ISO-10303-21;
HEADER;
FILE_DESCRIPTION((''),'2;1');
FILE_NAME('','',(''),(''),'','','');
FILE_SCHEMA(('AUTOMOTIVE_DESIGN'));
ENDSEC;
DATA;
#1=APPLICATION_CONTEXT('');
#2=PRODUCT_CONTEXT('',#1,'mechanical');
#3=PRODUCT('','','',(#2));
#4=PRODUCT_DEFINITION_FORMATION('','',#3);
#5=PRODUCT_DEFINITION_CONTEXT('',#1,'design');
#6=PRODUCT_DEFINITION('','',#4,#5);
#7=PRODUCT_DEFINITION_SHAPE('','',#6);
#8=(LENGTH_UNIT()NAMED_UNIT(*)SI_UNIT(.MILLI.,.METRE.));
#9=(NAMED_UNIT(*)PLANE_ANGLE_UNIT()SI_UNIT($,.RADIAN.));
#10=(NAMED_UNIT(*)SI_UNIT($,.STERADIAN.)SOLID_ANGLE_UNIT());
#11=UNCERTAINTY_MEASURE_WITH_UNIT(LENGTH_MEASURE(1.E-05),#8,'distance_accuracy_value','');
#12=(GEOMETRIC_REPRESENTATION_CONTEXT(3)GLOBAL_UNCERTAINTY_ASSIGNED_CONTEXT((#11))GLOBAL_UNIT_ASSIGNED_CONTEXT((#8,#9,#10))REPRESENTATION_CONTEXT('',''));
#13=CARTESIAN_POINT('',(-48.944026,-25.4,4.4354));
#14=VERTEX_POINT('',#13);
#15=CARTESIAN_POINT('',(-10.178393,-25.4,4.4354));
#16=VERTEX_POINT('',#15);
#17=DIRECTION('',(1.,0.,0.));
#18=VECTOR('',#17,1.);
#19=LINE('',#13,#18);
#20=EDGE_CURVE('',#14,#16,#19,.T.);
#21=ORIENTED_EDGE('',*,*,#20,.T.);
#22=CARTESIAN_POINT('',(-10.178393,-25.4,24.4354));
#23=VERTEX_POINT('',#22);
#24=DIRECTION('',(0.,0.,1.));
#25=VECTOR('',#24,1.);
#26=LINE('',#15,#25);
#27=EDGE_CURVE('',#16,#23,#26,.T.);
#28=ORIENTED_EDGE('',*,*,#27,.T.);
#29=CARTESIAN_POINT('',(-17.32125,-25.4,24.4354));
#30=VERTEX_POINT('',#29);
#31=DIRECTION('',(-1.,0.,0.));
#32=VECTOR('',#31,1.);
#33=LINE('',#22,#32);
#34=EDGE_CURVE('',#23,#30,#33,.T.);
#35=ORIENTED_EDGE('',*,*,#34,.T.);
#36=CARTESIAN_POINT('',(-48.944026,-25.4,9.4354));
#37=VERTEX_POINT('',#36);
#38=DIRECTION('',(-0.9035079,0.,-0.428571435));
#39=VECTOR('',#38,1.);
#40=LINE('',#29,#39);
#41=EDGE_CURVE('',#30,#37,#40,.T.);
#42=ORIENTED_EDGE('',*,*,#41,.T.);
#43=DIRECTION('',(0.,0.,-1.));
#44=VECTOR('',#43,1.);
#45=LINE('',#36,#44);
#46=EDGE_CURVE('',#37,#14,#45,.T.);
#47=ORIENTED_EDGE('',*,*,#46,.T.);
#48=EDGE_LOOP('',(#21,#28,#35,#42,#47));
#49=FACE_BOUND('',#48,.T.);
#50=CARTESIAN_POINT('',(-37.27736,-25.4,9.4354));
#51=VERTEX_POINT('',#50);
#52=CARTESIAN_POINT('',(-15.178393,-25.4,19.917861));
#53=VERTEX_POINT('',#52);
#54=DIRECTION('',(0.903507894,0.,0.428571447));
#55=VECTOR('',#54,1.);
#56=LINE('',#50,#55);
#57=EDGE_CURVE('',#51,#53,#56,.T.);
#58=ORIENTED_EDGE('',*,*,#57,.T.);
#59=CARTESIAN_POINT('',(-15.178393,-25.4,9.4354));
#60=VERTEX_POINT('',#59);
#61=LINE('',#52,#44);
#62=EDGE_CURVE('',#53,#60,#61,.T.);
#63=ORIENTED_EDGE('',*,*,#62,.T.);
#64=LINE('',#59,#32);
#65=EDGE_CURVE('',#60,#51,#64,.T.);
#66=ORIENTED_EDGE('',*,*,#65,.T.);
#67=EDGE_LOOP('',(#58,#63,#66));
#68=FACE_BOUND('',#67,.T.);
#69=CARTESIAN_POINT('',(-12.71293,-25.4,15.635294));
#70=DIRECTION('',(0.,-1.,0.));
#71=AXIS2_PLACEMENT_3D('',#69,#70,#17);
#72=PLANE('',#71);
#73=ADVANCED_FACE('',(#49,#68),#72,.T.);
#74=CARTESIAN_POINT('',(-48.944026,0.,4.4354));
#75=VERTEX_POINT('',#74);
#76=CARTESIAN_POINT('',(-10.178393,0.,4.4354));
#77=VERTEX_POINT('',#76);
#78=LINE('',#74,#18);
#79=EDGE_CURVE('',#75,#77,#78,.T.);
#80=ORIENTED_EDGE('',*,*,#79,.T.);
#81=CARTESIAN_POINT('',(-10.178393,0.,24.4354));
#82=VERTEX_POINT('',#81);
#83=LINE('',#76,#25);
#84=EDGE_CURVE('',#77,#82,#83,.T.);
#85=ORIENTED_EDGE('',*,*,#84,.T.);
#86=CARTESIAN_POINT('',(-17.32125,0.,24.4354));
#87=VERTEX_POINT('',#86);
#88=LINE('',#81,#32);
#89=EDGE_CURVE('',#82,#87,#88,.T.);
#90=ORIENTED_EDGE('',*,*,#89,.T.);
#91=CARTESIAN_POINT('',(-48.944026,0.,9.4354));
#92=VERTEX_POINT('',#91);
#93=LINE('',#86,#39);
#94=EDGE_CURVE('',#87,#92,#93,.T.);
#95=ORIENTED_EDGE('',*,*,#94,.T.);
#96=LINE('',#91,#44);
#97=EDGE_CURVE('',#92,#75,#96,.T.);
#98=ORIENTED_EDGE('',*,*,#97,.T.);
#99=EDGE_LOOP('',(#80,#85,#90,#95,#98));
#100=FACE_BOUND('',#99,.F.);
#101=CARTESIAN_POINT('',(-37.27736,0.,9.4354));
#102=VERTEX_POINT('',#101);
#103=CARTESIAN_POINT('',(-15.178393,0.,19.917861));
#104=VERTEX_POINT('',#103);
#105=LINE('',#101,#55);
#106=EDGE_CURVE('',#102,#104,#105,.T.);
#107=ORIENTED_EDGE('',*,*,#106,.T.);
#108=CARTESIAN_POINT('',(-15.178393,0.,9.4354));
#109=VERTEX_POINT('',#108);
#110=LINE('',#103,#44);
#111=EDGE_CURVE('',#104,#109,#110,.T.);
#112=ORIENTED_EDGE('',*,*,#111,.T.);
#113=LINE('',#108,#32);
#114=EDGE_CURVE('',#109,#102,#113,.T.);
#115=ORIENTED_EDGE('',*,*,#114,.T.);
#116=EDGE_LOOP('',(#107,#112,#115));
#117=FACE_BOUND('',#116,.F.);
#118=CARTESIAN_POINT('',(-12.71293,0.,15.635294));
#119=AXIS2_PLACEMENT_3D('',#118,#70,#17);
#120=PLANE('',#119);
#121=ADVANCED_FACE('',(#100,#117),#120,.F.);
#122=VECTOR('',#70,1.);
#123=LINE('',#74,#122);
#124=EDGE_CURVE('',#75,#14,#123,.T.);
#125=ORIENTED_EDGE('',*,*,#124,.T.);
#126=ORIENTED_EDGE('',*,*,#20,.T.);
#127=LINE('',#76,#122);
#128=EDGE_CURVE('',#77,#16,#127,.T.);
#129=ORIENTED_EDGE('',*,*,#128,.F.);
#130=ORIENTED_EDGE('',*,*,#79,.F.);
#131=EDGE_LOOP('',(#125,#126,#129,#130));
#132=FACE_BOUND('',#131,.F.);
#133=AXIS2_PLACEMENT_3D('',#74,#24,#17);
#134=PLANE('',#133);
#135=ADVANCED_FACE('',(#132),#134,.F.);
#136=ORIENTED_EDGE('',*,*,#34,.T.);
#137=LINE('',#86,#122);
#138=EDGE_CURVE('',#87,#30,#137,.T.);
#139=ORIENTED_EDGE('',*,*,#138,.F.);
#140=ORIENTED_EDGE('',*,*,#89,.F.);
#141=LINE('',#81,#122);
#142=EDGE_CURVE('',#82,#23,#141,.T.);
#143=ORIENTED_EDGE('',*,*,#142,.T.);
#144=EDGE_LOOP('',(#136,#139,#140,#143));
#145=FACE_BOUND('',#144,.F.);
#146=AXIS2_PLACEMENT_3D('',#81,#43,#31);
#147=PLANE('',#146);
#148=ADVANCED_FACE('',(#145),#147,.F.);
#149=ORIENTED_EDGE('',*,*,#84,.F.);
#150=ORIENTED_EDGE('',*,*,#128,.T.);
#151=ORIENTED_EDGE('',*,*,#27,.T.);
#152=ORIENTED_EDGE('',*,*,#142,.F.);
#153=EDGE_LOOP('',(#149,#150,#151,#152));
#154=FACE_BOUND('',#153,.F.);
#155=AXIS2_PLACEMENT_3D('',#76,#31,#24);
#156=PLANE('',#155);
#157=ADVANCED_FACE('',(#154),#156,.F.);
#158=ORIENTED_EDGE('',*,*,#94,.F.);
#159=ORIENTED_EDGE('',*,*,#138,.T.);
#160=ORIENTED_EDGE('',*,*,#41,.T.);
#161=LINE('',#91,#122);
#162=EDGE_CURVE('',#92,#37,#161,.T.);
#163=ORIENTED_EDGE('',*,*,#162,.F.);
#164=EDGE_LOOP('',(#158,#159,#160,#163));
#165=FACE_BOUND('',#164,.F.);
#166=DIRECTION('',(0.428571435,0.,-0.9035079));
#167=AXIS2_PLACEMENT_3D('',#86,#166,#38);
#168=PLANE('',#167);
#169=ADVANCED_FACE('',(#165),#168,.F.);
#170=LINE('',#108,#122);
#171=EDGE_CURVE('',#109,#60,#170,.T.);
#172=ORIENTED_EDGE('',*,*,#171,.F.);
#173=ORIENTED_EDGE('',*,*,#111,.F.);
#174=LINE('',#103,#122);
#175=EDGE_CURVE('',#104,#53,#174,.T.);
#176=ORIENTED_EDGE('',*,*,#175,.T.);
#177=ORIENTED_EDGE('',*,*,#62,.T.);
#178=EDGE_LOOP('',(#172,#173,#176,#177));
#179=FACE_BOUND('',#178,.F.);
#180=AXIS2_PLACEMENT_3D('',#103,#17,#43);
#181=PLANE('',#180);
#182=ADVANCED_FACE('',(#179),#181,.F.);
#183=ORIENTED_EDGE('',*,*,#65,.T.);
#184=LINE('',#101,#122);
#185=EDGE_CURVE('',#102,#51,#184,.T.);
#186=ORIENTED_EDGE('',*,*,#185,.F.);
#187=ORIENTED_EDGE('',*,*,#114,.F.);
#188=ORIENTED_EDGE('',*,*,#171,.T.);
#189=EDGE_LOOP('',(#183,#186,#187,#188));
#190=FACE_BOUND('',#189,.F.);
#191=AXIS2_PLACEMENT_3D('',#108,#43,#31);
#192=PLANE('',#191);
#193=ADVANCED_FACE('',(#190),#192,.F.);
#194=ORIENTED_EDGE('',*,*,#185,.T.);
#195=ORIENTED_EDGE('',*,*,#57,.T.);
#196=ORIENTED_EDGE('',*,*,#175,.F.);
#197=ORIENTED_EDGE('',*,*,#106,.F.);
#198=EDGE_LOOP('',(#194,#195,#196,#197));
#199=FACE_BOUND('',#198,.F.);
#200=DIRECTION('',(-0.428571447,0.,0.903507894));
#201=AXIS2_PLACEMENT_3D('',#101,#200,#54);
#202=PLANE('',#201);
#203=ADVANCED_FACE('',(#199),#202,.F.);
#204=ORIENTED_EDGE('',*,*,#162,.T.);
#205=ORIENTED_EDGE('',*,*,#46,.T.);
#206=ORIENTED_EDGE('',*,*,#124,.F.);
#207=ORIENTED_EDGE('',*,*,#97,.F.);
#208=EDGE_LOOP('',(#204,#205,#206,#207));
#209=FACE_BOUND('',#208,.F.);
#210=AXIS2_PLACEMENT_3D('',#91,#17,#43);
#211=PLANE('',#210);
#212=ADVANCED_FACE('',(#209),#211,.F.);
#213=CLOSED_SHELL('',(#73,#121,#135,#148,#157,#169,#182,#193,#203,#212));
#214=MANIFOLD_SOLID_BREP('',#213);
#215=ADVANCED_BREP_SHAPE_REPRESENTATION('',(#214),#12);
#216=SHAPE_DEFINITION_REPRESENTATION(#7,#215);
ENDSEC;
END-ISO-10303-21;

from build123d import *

# Parameters (mm, degrees)
F1_DEPTH = 25.4


with BuildPart() as f1:
    # F0 (on Front) → F1 (new body)
    with BuildSketch(Plane.XZ):
        Polygon((-17.32125, 24.4354), (-15.178393, 19.917861), (-15.178393, 9.4354), (-10.178393, 4.4354), (-10.178393, 9.4354), (-10.178393, 24.4354), align=None)
        Polygon((-37.27736, 9.4354), (-15.178393, 19.917861), (-17.32125, 24.4354), (-48.944026, 9.4354), align=None)
        Polygon((-15.178393, 9.4354), (-37.27736, 9.4354), (-48.944026, 9.4354), (-48.944026, 4.4354), (-10.178393, 4.4354), align=None)
    extrude(amount=F1_DEPTH)


solid = f1.part
